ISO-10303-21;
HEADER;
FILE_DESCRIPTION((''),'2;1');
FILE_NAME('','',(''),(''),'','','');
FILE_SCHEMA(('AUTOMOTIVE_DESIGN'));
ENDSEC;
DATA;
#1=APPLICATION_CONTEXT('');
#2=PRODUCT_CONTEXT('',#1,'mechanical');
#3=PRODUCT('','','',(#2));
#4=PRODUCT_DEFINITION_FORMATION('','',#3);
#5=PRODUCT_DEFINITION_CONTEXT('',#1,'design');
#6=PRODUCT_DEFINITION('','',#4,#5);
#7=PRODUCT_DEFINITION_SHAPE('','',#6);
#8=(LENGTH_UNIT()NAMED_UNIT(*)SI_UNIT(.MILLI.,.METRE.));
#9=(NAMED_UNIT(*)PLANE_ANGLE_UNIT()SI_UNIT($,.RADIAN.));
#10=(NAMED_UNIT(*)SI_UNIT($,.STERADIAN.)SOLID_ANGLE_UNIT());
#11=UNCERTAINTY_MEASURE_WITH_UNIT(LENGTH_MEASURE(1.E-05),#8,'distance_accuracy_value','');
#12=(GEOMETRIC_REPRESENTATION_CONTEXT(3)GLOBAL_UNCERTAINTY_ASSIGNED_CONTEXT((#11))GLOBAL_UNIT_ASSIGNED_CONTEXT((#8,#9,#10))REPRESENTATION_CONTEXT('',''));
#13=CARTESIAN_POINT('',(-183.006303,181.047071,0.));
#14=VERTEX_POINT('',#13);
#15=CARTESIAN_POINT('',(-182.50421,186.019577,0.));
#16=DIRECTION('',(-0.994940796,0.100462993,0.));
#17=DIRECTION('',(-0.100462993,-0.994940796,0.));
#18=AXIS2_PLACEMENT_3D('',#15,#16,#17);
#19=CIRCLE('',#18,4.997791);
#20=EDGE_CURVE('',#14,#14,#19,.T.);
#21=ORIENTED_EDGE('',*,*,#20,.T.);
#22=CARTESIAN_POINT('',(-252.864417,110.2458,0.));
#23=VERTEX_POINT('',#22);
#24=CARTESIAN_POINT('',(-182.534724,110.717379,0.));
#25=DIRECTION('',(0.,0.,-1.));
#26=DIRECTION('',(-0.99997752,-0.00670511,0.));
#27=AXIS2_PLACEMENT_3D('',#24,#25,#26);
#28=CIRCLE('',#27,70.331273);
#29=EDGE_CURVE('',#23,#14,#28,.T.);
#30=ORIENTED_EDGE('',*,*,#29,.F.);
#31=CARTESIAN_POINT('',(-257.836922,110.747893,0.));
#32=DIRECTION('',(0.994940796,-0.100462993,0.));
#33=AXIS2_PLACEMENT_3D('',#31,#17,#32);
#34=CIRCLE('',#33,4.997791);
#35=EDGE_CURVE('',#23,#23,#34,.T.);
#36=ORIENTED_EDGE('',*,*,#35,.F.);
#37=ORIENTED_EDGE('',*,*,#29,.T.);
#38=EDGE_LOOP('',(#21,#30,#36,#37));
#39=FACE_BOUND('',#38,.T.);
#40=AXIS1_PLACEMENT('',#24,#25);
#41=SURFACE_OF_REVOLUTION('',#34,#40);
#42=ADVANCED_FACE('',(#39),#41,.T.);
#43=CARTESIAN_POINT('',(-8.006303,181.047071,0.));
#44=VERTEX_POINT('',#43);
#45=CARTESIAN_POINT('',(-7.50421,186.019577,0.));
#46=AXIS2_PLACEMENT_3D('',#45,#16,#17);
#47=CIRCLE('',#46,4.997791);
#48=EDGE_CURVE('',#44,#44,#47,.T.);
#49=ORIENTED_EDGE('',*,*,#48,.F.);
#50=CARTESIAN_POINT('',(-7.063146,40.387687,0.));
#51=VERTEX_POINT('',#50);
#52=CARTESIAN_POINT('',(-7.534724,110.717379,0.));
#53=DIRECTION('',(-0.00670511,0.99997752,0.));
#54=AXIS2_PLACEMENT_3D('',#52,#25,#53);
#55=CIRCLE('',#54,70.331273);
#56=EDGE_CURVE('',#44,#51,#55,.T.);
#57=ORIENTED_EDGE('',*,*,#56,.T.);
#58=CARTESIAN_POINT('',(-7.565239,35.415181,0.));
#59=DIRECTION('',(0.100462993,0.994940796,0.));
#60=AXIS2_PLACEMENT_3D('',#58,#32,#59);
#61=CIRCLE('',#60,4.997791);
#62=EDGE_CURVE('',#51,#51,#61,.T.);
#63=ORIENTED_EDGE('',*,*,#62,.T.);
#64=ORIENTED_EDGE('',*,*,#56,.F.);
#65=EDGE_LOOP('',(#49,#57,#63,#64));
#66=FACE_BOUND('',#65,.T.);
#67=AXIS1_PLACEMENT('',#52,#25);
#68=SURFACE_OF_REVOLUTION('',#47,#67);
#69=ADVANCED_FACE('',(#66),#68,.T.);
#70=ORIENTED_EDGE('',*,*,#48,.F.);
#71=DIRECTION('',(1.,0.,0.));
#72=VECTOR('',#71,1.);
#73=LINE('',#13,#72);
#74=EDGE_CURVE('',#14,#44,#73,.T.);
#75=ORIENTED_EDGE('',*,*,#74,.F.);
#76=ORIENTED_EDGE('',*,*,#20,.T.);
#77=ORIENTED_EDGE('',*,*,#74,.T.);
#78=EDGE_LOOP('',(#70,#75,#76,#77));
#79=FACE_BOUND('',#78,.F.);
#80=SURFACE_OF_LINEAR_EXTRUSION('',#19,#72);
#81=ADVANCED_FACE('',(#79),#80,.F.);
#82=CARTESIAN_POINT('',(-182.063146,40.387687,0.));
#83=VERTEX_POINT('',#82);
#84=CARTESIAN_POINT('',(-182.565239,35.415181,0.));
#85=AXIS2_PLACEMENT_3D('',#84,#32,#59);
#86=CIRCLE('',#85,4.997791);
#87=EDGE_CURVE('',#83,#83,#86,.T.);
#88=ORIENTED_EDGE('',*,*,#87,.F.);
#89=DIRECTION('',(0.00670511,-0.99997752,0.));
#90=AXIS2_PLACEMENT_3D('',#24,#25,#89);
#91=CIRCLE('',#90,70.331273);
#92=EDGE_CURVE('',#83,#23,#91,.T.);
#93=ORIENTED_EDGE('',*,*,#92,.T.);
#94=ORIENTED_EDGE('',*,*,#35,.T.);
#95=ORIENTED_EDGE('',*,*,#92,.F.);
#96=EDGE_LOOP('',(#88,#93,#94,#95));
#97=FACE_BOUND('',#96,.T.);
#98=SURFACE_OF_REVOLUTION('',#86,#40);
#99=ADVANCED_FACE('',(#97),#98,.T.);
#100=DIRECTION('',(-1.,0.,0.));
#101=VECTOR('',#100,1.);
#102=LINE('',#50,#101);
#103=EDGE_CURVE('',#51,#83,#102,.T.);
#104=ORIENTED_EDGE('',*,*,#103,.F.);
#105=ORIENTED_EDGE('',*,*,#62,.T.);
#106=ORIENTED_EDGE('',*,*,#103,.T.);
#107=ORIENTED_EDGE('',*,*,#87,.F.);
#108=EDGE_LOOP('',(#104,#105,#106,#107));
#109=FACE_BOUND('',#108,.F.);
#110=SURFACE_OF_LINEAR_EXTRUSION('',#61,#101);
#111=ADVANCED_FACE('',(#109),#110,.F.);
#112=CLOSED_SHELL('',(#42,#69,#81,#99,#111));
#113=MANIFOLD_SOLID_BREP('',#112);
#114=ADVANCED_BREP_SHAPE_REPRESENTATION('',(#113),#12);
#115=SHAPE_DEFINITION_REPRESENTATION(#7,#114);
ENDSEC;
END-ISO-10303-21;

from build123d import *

# Parameters (mm, degrees)
F1_R = 4.9977905123


with BuildPart() as f2:
    # F2: sweep along a path in F0
    with BuildLine(Plane.XY) as f2_path:
        Line((-182.534724474, 185.7173790038), (-7.534724474, 185.7173790038))
        ThreePointArc((-7.534724474, 185.7173790038), (45.498284115, 163.7503875928), (67.465275526, 110.7173790038))
        ThreePointArc((67.465275526, 110.7173790038), (45.498284115, 57.6843704148), (-7.534724474, 35.7173790038))
        Line((-7.534724474, 35.7173790038), (-182.534724474, 35.7173790038))
        ThreePointArc((-182.534724474, 35.7173790038), (-235.5677330629, 57.6843704148), (-257.534724474, 110.7173790038))
        ThreePointArc((-257.534724474, 110.7173790038), (-235.5677330629, 163.7503875928), (-182.534724474, 185.7173790038))
    # F1 (on Right) → F2 (sweep)
    with BuildSketch(Plane.YZ):
        with Locations((35.7930846512, 0)):
            Circle(F1_R)
    sweep(path=f2_path.line)


solid = f2.part
